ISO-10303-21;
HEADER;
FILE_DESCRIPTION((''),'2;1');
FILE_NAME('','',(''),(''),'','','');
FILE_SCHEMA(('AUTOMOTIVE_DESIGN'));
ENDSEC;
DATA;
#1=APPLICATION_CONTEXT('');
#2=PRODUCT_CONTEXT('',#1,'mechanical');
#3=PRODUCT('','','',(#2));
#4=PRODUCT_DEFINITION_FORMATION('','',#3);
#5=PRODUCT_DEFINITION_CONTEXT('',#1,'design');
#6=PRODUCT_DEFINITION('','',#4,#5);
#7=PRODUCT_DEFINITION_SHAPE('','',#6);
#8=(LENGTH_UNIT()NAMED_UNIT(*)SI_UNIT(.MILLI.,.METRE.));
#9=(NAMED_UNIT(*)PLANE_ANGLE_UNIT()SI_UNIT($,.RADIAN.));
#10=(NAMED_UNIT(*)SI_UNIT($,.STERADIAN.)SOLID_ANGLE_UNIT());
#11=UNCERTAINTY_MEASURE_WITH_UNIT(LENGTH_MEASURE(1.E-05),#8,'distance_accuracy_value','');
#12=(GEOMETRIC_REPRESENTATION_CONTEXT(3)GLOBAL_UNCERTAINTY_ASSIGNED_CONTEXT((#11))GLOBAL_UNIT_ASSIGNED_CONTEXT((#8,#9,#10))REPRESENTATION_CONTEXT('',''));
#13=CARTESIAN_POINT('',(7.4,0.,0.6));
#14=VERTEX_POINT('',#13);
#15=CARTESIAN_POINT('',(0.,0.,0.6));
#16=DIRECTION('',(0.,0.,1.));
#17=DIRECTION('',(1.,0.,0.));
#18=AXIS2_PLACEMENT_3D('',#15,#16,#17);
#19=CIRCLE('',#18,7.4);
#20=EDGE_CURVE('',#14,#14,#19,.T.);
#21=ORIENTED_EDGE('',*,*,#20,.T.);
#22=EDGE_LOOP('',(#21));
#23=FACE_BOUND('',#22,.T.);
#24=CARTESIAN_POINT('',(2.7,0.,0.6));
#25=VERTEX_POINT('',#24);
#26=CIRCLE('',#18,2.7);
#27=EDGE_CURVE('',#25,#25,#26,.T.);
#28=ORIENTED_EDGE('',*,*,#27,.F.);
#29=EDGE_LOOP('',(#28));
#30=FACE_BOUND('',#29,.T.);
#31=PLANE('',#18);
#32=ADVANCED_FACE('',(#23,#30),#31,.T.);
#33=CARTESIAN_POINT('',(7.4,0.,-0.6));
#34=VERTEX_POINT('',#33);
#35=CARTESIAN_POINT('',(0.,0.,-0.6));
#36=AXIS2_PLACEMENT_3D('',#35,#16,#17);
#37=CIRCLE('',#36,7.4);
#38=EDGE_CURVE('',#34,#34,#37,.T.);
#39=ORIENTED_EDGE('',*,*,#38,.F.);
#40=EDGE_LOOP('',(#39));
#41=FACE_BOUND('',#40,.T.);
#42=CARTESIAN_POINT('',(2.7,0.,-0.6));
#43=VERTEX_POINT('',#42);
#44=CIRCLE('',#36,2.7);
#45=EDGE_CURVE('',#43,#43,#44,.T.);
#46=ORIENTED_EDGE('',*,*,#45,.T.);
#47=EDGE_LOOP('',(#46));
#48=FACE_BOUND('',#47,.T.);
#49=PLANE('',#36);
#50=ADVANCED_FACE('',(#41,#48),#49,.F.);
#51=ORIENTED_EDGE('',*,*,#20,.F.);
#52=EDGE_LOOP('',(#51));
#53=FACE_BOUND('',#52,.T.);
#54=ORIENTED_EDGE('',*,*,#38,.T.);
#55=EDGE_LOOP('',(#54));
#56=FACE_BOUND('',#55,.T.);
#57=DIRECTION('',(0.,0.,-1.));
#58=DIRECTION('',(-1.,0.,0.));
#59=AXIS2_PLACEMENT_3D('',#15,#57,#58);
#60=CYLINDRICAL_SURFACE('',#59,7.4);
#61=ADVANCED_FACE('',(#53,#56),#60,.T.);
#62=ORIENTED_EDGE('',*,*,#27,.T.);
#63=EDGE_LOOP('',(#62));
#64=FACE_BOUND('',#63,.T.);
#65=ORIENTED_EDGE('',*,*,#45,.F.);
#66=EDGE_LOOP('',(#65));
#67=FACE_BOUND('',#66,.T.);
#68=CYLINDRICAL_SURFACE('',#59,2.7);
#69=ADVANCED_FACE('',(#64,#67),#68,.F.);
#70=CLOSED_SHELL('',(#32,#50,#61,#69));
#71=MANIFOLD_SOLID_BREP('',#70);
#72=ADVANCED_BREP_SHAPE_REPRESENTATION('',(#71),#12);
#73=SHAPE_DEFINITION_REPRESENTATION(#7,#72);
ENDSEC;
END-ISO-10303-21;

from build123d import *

# Parameters (mm, degrees)
SKETCH3_R           = 7.4
SKETCH3_R_2         = 2.7
BOSS_EXTRUDE1_DEPTH = 0.6


with BuildPart() as part:
    # Sketch3 → Boss-Extrude1 (new, symmetric)
    with BuildSketch(Plane.XY):
        Circle(SKETCH3_R)
        Circle(SKETCH3_R_2, mode=Mode.SUBTRACT)
    extrude(amount=BOSS_EXTRUDE1_DEPTH, both=True)


solid = part.part
